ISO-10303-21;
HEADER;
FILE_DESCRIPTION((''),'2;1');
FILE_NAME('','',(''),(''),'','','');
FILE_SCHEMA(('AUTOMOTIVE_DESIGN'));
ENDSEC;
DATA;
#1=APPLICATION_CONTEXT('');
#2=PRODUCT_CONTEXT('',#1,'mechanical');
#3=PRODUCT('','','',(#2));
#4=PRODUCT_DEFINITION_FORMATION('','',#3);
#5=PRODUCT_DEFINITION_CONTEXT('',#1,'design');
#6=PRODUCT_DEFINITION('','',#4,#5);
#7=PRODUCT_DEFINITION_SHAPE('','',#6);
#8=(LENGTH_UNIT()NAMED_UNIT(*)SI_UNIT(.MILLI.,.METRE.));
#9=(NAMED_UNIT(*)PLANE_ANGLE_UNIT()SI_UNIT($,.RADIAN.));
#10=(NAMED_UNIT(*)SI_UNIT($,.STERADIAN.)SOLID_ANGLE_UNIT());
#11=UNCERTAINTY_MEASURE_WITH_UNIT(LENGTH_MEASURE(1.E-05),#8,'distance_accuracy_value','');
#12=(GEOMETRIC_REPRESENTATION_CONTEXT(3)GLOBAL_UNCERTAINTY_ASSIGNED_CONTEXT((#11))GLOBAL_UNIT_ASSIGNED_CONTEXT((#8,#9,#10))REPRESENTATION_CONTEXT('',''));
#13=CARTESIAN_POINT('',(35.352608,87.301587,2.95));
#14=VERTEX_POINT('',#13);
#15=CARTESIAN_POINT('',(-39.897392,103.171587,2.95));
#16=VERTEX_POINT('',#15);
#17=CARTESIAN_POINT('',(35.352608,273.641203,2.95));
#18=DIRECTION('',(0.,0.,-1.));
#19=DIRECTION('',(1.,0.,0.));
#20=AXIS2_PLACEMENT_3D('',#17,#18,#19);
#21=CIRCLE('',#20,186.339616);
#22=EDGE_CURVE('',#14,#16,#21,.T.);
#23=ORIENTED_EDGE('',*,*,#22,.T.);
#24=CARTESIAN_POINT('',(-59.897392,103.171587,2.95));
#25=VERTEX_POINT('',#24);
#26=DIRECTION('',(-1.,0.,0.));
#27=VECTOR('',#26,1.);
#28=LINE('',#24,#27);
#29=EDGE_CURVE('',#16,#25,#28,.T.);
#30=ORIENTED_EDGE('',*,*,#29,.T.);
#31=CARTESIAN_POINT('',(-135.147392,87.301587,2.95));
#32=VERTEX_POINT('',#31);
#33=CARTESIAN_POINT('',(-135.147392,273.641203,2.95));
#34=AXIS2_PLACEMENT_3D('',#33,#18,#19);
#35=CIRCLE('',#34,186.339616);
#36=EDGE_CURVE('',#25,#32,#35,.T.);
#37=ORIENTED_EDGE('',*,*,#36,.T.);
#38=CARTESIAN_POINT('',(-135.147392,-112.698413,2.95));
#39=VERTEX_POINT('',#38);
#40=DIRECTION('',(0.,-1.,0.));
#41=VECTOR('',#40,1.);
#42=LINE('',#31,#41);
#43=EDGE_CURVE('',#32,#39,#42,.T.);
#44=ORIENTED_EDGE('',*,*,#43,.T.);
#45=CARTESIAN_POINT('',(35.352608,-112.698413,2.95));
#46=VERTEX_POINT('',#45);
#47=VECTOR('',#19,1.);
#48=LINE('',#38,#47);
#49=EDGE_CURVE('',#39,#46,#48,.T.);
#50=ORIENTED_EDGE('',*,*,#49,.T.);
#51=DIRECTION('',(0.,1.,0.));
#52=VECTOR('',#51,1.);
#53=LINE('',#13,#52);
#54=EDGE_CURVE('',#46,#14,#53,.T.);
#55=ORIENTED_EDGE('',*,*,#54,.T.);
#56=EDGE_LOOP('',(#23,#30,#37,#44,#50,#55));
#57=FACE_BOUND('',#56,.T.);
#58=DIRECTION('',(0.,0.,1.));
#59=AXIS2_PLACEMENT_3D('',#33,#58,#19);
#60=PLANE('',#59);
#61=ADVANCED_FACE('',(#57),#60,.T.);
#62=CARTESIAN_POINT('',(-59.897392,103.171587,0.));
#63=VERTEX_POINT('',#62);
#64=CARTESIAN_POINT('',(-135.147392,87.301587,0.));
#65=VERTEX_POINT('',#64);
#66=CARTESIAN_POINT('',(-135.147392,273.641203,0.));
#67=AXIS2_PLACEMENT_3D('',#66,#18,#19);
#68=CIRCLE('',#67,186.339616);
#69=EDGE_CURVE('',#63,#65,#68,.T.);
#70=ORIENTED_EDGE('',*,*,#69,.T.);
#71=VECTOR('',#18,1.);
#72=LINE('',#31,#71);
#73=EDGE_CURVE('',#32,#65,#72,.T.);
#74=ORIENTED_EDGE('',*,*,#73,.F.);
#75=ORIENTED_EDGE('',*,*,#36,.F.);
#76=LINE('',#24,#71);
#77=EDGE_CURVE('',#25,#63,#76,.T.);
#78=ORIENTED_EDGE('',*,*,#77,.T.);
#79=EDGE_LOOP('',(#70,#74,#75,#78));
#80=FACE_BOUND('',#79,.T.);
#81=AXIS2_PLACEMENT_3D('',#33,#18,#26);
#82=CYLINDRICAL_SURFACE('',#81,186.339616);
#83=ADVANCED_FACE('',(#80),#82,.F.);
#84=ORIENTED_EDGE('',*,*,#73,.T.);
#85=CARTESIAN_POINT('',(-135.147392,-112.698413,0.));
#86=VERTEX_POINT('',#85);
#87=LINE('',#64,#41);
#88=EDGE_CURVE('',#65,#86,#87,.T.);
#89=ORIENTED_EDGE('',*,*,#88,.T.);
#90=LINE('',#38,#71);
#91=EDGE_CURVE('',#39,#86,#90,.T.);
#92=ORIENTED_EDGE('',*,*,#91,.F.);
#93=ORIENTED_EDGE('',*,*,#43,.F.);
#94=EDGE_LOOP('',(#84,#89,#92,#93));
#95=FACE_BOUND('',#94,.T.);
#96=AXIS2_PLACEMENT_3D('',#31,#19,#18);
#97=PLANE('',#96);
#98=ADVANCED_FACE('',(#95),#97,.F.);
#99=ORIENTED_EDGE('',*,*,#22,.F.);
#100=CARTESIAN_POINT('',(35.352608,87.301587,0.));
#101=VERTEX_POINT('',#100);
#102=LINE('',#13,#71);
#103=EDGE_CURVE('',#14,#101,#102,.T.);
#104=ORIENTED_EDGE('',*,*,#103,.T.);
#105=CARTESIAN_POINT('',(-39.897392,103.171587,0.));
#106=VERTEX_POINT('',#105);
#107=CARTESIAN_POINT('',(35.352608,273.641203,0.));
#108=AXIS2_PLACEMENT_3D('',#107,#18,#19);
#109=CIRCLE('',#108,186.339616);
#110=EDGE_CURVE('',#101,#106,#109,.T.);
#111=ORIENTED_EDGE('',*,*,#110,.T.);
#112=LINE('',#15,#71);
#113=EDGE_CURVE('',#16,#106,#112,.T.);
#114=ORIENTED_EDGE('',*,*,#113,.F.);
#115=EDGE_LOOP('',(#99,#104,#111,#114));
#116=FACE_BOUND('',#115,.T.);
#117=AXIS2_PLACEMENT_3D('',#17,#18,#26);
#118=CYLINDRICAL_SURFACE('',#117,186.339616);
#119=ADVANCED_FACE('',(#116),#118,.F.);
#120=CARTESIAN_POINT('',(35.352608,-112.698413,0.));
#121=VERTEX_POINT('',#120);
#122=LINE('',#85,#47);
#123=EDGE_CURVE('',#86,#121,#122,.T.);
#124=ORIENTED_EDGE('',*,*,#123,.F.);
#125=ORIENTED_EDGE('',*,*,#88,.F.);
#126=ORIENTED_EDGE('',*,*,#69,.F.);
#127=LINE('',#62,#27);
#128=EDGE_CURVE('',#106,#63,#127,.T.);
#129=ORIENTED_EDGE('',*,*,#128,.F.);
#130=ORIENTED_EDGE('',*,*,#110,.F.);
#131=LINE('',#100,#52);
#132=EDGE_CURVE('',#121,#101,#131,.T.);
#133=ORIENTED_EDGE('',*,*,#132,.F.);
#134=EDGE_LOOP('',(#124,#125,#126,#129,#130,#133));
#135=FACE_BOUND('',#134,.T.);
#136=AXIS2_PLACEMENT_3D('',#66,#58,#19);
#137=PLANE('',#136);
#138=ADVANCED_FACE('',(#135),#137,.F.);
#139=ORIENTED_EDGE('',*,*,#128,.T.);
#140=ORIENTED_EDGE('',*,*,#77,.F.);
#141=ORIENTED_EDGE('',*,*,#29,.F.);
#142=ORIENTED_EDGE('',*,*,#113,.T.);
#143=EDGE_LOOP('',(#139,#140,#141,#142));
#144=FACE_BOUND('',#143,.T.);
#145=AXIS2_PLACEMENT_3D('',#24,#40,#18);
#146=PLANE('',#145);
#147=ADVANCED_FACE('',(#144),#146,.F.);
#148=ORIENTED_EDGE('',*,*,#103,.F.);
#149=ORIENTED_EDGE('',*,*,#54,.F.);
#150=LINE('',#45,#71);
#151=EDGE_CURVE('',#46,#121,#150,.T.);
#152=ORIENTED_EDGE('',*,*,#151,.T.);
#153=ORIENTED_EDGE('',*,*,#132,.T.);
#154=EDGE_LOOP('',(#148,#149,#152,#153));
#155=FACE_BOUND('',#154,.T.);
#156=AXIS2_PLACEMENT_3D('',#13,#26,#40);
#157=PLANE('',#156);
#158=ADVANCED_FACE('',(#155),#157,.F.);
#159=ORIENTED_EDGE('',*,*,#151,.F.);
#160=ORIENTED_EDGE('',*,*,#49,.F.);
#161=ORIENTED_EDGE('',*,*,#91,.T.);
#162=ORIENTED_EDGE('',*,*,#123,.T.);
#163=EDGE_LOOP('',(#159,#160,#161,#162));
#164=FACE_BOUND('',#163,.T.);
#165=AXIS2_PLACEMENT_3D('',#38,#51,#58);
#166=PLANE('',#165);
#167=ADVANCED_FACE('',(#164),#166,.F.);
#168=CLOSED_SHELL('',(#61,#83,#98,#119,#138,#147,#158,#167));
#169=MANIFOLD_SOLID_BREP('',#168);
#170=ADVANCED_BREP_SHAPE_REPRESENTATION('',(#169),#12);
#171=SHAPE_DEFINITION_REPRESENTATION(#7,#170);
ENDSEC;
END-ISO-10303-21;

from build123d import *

# Parameters (mm, degrees)
BOSS_EXTRUDE1_DEPTH = 2.95


with BuildPart() as part:
    # Sketch1 → Boss-Extrude1 (new body)
    with BuildSketch(Plane.XY):
        with BuildLine():
            Line((-59.89739229, 103.171587302), (-39.89739229, 103.171587302))
            ThreePointArc((-39.89739229, 103.171587302), (-3.10002354, 91.312248832), (35.35260771, 87.301587302))
            Line((35.35260771, 87.301587302), (35.35260771, -112.698412698))
            Line((35.35260771, -112.698412698), (-135.14739229, -112.698412698))
            Line((-135.14739229, -112.698412698), (-135.14739229, 87.301587302))
            ThreePointArc((-135.14739229, 87.301587302), (-96.694761041, 91.312248832), (-59.89739229, 103.171587302))
        make_face()
    extrude(amount=BOSS_EXTRUDE1_DEPTH)


solid = part.part
